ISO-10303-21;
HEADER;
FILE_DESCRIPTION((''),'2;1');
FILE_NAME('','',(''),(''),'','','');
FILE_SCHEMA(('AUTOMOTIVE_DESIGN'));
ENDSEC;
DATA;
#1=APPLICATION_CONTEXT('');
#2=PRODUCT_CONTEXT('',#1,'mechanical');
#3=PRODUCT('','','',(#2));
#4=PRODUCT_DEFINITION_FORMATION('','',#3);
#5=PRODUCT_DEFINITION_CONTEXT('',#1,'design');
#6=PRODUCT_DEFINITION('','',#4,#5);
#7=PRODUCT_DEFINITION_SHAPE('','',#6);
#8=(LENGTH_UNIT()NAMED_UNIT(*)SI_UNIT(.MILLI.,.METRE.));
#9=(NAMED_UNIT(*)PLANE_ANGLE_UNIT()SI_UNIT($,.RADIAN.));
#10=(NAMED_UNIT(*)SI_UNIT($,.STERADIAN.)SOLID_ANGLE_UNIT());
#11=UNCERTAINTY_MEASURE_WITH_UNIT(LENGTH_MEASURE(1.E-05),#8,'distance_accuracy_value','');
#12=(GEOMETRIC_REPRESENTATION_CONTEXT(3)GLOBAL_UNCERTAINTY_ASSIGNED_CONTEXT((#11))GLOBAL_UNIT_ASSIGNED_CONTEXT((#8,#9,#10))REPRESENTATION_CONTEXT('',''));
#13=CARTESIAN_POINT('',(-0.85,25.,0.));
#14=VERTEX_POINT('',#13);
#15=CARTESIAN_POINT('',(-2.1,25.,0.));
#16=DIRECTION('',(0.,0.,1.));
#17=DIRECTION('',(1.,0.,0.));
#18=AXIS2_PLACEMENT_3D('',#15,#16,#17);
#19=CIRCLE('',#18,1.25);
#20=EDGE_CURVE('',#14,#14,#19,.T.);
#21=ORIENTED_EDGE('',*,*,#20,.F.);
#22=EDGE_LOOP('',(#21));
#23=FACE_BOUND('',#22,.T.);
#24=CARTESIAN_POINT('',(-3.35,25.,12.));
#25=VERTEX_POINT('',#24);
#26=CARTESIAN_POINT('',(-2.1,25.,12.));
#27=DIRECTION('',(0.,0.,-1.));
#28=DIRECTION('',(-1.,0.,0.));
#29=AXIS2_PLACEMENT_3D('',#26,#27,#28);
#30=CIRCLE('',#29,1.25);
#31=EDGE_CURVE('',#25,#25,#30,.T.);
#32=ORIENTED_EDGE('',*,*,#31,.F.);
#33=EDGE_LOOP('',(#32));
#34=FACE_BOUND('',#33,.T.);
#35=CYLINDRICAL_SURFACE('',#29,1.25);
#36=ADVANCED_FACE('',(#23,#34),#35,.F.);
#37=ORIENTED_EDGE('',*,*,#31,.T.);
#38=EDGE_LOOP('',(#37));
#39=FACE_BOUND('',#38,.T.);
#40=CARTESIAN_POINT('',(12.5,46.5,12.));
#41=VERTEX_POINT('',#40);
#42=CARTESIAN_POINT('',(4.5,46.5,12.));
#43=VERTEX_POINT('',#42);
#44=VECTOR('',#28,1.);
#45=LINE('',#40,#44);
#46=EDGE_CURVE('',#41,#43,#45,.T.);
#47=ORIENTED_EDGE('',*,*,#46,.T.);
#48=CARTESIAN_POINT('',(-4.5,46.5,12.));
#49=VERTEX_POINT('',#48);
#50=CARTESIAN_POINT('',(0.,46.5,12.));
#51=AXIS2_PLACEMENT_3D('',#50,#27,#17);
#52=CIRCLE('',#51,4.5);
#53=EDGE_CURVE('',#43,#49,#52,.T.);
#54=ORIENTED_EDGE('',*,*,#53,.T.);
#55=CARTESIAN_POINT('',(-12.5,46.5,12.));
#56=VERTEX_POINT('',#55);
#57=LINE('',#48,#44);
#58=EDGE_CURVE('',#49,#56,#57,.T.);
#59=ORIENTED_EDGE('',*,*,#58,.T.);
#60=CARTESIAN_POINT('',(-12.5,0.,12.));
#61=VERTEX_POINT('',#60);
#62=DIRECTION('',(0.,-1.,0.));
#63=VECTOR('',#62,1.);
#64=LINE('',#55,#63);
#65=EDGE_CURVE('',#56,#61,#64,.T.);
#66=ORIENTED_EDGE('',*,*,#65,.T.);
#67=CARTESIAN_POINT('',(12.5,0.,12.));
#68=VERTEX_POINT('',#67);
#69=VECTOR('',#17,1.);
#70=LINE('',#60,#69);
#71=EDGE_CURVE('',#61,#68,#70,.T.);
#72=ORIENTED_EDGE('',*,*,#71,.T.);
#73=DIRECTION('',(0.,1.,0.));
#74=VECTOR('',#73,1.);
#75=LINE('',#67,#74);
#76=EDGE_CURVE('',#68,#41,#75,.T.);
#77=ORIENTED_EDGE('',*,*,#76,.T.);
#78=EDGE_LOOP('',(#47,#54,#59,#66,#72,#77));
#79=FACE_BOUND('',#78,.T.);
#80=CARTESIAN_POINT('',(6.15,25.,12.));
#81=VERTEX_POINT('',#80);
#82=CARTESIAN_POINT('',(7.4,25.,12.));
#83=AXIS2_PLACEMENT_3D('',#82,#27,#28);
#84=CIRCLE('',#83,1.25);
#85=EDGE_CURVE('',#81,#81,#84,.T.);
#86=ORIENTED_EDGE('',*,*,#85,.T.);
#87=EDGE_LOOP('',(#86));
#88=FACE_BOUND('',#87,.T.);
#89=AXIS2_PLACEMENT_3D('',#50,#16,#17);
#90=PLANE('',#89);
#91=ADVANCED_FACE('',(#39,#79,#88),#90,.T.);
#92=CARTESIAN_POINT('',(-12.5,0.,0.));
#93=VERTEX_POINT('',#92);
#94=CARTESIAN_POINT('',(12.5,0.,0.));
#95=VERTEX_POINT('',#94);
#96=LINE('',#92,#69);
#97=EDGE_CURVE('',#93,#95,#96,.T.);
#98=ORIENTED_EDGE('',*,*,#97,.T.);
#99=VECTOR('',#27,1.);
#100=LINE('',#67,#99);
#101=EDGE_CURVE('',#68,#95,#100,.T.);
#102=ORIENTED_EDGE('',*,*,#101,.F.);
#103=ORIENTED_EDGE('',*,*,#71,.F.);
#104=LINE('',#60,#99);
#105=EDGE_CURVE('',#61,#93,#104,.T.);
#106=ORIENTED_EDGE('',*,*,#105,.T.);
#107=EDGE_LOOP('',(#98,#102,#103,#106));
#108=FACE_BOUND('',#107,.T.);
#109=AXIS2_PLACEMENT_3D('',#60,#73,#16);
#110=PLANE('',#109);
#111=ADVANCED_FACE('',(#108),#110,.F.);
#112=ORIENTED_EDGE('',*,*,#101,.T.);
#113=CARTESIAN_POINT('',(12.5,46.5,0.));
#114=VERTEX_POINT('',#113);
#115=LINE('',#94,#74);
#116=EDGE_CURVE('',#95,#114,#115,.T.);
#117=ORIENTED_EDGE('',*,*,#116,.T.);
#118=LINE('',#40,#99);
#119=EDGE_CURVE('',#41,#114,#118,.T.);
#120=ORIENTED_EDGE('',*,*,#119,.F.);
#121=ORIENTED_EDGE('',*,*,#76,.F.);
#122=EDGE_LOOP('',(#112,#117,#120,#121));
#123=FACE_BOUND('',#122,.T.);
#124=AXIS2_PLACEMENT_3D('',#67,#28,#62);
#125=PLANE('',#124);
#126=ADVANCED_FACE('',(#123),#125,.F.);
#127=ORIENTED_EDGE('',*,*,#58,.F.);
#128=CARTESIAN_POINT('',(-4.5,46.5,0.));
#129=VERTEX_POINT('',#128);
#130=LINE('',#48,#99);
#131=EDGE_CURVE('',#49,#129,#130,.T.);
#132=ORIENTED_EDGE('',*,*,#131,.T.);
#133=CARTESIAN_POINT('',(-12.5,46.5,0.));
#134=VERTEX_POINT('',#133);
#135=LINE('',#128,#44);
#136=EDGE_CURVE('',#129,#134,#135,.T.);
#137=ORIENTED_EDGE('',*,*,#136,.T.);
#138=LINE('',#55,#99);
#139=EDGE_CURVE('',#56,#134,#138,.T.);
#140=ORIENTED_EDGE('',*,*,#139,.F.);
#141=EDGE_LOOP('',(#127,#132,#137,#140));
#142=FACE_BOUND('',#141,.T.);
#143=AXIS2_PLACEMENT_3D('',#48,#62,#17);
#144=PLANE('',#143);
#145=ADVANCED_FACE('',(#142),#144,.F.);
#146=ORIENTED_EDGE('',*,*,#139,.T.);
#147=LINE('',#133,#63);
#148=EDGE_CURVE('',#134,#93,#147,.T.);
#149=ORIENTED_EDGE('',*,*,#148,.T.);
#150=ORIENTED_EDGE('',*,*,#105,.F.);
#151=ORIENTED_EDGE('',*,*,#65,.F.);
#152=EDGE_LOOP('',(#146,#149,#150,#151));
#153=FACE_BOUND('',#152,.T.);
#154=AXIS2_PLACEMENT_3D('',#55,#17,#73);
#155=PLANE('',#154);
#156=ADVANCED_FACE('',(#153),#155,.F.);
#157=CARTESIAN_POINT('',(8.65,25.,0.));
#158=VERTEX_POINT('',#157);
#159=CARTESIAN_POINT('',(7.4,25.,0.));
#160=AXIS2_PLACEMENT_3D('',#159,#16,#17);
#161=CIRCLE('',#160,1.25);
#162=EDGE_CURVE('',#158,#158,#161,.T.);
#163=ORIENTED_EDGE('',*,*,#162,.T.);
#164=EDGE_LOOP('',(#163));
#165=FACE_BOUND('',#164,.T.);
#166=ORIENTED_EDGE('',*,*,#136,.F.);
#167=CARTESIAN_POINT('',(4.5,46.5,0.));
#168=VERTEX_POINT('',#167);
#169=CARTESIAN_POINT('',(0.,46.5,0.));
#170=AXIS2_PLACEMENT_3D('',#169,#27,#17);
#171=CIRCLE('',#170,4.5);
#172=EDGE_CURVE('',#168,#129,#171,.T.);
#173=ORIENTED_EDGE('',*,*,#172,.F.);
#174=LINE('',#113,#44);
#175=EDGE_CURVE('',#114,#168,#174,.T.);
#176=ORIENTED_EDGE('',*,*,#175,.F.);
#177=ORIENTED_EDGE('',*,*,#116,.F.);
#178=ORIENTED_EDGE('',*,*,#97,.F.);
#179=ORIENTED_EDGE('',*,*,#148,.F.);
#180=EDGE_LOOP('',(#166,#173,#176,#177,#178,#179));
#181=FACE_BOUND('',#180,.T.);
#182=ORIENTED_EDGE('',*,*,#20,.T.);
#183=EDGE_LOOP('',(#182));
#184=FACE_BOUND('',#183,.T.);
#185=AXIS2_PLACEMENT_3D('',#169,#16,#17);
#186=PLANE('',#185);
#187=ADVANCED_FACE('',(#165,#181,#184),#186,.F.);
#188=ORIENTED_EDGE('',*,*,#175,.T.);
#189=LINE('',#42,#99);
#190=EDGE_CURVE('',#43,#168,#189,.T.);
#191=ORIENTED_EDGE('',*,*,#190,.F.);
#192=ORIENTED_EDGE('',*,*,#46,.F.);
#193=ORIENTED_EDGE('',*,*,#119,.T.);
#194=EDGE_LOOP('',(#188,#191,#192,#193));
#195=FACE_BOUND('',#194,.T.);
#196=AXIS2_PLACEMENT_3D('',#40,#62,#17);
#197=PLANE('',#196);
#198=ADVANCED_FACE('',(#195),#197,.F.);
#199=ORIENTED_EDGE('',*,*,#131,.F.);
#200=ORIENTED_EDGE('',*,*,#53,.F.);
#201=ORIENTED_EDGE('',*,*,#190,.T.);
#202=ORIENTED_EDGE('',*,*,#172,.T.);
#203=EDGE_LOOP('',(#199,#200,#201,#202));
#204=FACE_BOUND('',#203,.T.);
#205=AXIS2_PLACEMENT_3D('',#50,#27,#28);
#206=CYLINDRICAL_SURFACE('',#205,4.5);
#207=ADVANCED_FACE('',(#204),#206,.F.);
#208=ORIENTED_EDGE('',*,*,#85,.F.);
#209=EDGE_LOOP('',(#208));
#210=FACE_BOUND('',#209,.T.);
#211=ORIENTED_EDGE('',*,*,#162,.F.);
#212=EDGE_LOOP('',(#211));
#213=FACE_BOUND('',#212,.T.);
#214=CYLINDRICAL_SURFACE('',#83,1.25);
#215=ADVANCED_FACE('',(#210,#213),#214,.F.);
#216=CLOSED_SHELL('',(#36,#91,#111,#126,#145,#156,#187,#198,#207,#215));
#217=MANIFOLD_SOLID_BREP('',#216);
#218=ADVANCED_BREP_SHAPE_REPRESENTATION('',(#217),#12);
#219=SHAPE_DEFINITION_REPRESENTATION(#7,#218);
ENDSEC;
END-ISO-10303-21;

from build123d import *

# Parameters (mm, degrees)
BOSS_EXTRUDE1_DEPTH     = 12
CUT_EXTRUDE1_DEPTH      = 50.623583103
CUT_EXTRUDE1_DEPTH_BACK = 50.623583103
SKETCH2_R               = 1.25


with BuildPart() as part:
    # Sketch1 → Boss-Extrude1 (new body)
    with BuildSketch(Plane.XY):
        with BuildLine():
            Line((-12.5, 0), (12.5, 0))
            Line((12.5, 0), (12.5, 46.5))
            Line((12.5, 46.5), (4.5, 46.5))
            ThreePointArc((4.5, 46.5), (0, 42), (-4.5, 46.5))
            Line((-4.5, 46.5), (-12.5, 46.5))
            Line((-12.5, 46.5), (-12.5, 0))
        make_face()
    extrude(amount=BOSS_EXTRUDE1_DEPTH)

    # Sketch2 → Cut-Extrude1 (cut, two sides: drawn at the far end of the back side and taken through both)
    with BuildSketch(Plane(origin=(0, 0, 0), x_dir=(-1, 0, 0), z_dir=(0, 0, -1)).offset(-CUT_EXTRUDE1_DEPTH_BACK)):
        with Locations((-7.4, 25)):
            Circle(SKETCH2_R)
        with Locations((2.1, 25)):
            Circle(SKETCH2_R)
    extrude(amount=CUT_EXTRUDE1_DEPTH + CUT_EXTRUDE1_DEPTH_BACK, mode=Mode.SUBTRACT)


solid = part.part
